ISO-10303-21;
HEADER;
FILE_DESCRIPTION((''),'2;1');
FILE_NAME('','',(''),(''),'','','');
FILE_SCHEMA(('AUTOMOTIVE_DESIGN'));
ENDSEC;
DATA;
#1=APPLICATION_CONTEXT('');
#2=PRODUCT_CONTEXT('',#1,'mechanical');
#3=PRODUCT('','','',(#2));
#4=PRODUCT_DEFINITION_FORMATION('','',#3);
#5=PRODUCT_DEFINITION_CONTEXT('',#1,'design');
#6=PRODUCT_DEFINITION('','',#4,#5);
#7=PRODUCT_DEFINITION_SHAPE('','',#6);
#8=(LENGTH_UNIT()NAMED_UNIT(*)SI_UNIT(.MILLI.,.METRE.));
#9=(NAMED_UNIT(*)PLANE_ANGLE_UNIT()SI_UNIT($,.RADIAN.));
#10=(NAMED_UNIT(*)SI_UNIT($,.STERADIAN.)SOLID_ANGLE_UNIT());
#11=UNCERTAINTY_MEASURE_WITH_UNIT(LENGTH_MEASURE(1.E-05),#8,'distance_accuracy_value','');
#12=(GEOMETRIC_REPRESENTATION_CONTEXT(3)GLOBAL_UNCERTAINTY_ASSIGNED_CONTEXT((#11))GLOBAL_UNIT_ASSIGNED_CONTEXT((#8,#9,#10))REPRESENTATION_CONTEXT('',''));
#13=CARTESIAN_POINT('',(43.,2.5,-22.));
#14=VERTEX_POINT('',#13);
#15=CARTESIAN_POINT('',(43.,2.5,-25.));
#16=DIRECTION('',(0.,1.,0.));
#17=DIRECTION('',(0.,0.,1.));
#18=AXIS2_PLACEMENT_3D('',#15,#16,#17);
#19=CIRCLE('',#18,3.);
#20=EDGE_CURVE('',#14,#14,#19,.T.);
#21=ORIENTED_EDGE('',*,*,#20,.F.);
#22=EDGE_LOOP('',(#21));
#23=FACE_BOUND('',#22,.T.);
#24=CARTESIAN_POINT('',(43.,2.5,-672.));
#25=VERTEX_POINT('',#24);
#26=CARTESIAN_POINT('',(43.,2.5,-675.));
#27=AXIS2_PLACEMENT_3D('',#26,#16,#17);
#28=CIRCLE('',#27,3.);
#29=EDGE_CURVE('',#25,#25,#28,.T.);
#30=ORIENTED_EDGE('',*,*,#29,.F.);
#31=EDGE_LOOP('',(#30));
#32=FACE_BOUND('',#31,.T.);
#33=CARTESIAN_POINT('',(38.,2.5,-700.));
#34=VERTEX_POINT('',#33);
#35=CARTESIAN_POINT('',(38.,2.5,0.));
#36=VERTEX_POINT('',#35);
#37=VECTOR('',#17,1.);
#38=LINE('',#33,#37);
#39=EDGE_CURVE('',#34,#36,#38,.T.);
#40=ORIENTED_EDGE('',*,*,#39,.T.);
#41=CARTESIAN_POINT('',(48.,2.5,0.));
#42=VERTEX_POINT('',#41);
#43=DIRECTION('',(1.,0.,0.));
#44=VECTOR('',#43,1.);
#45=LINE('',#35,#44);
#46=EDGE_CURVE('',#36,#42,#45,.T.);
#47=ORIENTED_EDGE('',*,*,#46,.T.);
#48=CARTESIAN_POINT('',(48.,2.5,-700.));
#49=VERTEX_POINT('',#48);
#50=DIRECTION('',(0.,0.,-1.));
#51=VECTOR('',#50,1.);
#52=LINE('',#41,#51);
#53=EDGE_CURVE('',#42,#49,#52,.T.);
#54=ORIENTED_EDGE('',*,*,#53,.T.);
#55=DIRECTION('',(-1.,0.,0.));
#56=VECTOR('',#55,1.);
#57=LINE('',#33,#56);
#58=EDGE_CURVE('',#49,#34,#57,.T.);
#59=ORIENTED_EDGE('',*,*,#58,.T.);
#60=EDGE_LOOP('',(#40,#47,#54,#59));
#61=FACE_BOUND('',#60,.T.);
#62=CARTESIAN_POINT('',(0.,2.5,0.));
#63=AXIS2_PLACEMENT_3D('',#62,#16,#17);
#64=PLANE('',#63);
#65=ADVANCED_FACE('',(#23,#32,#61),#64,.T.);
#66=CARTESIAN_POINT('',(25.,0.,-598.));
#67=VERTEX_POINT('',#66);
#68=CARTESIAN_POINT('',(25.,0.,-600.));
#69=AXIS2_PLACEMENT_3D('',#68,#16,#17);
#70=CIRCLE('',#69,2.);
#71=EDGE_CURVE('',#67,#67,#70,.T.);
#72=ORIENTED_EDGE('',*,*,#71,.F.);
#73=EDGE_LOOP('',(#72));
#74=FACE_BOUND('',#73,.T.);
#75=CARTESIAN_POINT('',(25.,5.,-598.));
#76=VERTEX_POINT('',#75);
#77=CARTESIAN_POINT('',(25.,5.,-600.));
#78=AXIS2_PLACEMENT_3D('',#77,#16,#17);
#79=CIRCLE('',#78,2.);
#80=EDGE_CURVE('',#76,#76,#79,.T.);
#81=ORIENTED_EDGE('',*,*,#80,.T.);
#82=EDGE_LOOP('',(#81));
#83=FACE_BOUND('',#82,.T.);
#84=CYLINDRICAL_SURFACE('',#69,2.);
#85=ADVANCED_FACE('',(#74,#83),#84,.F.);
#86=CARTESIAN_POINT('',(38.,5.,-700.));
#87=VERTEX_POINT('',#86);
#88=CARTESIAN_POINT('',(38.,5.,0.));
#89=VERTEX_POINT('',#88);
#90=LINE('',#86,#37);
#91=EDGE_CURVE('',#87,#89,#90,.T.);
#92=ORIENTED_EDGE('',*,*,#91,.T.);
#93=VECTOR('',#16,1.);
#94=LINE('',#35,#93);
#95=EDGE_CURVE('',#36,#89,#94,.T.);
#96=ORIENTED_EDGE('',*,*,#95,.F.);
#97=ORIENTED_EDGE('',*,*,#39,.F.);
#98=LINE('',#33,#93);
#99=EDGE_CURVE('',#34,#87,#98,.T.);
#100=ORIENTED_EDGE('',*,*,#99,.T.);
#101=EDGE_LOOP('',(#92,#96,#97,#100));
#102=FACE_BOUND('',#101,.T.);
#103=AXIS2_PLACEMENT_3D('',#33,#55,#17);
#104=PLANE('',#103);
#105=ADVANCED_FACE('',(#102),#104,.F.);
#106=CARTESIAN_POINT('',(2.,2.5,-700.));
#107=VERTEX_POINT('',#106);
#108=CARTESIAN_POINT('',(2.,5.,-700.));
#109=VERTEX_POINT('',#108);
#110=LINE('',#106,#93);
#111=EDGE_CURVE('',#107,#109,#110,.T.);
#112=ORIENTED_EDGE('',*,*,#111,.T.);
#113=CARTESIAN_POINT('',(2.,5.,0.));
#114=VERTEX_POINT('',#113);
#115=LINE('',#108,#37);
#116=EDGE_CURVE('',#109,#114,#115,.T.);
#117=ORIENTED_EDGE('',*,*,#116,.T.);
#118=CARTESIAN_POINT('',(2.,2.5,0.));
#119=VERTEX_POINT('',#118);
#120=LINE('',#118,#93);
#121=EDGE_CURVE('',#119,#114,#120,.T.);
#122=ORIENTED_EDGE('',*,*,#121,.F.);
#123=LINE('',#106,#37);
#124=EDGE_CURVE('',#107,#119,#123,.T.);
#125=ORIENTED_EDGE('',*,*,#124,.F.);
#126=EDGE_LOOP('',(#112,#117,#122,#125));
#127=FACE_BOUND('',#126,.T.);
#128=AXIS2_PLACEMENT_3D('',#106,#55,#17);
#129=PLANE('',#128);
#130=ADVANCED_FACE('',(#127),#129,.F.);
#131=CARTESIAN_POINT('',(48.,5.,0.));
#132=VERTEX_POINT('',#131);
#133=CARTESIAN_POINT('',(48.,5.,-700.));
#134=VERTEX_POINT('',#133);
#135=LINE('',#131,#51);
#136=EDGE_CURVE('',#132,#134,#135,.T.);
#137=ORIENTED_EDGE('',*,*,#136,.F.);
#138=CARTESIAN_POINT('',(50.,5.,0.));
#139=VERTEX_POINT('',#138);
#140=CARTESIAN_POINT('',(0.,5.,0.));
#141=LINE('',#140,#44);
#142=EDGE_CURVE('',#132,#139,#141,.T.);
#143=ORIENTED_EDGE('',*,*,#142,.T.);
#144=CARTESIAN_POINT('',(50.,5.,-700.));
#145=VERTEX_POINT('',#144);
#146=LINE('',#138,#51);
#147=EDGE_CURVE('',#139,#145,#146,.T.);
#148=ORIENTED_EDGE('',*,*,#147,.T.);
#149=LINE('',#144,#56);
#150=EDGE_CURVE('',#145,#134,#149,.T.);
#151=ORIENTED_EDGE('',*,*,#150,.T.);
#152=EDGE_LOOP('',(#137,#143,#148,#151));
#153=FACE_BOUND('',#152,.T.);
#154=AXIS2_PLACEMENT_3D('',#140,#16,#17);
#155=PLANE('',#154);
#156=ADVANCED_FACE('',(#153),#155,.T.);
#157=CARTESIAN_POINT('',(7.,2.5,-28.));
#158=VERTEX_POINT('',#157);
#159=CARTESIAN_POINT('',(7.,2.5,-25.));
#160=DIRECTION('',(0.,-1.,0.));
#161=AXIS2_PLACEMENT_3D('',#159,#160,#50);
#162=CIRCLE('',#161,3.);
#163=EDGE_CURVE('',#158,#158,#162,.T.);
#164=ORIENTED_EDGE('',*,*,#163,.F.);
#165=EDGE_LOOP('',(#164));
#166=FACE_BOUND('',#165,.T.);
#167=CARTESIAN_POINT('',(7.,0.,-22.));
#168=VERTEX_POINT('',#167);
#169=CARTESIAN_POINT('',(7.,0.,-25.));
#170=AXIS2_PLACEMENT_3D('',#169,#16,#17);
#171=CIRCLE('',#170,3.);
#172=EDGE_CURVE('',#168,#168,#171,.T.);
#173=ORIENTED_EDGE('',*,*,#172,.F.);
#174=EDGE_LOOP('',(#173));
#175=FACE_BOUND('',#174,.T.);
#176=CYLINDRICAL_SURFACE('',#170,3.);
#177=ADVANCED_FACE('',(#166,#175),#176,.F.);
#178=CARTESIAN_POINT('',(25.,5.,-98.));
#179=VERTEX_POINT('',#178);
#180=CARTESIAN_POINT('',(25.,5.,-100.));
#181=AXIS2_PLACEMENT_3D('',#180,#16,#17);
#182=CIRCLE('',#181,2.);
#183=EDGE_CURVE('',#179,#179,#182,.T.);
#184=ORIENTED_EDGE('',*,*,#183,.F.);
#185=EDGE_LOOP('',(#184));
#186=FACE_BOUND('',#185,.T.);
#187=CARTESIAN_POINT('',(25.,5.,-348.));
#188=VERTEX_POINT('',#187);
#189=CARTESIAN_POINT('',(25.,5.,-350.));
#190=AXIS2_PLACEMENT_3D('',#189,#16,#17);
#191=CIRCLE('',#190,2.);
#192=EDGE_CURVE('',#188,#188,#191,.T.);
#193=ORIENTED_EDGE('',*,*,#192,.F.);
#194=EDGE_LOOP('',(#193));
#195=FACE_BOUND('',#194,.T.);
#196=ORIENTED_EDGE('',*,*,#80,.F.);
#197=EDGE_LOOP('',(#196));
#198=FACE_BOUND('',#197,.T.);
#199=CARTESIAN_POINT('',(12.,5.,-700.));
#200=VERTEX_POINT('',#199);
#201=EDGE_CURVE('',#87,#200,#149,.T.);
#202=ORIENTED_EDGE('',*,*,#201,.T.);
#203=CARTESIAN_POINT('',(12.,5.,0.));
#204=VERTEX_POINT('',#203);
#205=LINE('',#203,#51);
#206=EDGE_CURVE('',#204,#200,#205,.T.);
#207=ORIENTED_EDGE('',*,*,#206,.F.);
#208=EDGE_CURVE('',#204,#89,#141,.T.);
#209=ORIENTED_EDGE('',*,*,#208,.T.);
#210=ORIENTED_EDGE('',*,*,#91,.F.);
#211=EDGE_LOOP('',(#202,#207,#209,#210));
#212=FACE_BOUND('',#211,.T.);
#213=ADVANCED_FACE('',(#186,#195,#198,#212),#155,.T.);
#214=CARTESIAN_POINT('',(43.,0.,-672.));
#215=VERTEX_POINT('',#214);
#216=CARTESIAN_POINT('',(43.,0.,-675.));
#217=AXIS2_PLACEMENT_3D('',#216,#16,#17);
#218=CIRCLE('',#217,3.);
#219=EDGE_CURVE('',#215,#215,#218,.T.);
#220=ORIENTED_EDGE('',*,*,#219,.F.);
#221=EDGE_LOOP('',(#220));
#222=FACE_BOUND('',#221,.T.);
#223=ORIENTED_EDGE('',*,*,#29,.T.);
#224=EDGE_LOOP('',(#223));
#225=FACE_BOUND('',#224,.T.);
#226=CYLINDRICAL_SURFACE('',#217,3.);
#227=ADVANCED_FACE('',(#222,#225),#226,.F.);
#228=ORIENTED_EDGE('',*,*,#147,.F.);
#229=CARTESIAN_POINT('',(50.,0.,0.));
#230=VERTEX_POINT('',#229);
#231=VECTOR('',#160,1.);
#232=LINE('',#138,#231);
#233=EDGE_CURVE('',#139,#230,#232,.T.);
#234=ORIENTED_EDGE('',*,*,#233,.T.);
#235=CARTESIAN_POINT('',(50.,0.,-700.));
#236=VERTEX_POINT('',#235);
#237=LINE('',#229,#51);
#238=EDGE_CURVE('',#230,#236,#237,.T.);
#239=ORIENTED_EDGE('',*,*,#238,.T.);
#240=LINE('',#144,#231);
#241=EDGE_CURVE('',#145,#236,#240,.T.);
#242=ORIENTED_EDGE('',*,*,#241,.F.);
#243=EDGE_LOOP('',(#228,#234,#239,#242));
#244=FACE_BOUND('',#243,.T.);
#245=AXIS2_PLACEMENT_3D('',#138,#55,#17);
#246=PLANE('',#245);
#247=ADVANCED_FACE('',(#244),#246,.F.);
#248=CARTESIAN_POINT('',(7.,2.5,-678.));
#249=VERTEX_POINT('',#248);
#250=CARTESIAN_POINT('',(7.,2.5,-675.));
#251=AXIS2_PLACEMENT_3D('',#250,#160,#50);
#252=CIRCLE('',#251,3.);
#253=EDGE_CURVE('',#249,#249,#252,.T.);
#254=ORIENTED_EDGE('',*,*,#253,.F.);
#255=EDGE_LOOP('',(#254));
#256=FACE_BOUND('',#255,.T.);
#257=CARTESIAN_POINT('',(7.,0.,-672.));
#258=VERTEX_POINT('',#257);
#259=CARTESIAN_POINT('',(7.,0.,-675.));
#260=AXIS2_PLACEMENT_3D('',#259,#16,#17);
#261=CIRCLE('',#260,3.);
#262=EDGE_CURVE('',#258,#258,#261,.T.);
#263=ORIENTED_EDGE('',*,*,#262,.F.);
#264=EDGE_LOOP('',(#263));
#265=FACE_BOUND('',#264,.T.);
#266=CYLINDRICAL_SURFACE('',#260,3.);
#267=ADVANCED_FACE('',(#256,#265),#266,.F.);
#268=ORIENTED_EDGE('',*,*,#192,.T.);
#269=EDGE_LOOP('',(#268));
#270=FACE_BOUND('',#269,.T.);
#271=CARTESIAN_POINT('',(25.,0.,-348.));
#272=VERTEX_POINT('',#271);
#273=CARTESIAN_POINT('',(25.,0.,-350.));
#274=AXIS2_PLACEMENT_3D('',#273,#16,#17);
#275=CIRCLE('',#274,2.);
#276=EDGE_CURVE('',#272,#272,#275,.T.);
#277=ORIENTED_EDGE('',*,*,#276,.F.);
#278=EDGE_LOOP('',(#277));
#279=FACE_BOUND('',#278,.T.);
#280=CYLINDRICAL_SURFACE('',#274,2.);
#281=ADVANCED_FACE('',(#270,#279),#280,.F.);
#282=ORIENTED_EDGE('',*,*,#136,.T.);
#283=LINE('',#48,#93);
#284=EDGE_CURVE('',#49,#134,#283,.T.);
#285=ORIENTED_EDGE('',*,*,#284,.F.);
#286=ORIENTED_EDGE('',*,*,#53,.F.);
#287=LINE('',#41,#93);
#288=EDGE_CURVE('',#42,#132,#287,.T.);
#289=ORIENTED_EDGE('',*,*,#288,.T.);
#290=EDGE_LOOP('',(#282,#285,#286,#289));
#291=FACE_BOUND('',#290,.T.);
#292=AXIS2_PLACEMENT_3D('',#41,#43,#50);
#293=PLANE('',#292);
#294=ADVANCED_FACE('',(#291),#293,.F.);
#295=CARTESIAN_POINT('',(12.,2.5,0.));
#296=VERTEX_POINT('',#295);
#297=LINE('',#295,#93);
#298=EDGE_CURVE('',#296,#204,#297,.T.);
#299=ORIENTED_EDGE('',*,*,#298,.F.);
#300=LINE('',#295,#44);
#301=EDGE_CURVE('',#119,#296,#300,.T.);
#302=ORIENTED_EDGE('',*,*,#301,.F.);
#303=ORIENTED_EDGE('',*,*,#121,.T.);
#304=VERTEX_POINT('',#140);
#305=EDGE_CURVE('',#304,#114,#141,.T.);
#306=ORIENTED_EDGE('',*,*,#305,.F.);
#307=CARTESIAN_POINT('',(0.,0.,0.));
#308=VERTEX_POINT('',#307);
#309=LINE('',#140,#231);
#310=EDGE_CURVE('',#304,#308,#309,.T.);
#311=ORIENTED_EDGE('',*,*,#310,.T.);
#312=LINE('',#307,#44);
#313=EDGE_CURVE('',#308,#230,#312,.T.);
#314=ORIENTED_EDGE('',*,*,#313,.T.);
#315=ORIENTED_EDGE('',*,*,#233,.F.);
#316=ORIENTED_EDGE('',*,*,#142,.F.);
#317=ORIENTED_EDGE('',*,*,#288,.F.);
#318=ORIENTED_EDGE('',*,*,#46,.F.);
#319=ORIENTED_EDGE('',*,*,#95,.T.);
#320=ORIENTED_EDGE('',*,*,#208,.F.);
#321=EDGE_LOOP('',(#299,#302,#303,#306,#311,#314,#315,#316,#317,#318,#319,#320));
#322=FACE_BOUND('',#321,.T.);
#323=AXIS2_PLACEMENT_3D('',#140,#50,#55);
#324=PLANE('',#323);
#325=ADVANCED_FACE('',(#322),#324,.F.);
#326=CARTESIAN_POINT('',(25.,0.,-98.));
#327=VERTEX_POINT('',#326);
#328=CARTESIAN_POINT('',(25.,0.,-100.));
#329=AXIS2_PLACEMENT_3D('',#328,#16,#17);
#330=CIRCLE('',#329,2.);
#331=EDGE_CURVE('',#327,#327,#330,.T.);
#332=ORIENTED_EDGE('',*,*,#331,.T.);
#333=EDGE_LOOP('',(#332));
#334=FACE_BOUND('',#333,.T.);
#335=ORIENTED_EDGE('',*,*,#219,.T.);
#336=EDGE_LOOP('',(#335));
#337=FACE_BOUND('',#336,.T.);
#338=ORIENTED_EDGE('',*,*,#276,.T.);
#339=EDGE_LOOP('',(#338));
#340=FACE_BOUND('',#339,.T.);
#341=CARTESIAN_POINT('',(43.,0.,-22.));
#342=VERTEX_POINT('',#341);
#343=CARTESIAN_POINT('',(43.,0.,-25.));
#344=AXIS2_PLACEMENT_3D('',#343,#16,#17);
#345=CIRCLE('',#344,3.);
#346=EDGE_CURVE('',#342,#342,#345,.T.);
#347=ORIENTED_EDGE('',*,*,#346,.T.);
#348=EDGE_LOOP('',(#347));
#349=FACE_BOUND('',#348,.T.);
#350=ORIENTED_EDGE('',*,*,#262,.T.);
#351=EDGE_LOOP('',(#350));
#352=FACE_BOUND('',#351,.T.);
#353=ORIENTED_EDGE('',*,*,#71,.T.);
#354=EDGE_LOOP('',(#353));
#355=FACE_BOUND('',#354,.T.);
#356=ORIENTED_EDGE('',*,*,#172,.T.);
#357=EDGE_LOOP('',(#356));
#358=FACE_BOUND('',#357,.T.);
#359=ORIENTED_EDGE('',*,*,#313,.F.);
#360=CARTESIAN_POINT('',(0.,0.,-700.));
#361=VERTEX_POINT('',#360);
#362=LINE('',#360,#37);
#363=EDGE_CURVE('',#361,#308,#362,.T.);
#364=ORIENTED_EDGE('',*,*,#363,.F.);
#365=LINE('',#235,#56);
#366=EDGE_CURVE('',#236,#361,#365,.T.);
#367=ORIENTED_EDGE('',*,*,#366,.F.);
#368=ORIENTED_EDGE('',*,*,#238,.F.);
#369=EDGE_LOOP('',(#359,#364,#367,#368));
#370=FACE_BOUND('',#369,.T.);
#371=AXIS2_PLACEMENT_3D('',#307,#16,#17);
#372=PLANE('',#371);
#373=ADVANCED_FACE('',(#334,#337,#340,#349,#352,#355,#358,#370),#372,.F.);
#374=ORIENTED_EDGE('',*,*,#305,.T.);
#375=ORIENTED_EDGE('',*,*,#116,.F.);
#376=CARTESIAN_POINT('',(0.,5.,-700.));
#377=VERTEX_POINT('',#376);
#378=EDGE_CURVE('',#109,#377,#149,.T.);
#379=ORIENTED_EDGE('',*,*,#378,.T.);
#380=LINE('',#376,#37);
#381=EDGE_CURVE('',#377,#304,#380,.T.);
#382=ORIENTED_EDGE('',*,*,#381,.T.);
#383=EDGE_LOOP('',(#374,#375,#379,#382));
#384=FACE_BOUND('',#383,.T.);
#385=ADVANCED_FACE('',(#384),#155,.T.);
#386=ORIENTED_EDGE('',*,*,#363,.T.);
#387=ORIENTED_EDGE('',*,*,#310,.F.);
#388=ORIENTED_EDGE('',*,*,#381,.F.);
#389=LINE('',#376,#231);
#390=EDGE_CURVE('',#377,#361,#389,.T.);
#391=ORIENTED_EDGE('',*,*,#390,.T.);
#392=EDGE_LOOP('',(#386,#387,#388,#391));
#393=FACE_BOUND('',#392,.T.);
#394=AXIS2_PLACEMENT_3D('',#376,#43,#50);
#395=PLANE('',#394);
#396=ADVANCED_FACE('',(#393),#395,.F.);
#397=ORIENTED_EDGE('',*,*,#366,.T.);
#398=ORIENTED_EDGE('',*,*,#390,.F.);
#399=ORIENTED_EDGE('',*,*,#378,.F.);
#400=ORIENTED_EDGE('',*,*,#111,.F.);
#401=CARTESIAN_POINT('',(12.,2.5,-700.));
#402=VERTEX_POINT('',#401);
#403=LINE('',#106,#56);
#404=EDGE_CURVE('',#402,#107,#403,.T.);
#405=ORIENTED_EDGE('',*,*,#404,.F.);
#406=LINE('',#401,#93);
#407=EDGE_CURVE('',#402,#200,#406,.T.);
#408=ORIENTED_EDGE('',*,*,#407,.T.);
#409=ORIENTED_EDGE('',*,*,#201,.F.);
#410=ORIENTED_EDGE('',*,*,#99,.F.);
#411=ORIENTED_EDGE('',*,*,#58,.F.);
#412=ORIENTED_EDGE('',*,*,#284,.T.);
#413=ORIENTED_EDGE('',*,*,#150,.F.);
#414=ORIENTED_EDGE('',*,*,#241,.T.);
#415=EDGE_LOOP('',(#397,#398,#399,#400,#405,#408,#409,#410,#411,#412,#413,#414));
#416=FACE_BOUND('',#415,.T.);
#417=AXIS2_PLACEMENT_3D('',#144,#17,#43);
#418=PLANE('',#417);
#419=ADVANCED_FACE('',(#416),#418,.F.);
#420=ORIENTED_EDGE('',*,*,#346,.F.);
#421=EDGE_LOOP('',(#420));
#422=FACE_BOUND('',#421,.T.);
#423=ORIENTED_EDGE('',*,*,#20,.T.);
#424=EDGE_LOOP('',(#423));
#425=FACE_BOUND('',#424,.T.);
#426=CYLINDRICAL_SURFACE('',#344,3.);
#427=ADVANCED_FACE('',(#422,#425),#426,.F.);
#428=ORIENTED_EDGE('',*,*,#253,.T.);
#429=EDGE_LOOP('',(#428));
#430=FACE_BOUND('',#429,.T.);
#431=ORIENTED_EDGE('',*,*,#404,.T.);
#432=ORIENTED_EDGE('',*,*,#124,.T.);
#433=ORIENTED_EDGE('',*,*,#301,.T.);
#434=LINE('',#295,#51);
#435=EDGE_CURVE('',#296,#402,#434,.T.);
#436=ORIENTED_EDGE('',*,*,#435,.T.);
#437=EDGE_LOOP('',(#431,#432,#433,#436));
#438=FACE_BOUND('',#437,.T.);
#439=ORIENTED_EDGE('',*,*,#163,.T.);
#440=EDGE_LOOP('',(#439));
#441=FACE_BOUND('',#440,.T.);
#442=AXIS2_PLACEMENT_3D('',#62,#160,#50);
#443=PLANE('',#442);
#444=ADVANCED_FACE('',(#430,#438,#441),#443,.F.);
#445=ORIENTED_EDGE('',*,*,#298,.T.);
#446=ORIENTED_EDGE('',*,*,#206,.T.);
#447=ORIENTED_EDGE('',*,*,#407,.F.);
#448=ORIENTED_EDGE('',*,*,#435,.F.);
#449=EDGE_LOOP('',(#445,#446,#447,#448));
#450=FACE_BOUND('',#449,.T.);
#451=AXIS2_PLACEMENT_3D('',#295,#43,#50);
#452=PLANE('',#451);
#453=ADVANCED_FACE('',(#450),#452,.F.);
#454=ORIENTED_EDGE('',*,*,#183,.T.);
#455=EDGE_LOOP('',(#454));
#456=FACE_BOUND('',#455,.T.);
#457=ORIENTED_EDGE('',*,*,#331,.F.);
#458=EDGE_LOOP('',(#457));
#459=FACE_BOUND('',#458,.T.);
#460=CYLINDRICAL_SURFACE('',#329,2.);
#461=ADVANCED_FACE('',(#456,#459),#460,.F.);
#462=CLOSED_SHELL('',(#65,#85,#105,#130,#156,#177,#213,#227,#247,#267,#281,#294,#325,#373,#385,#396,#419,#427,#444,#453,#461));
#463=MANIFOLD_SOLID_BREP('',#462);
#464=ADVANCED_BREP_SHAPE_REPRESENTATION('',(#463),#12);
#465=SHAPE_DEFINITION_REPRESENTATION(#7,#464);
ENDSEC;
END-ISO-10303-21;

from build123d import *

# Parameters (mm, degrees)
SKETCH1_W           = 50
SKETCH1_H           = 700
BOSS_EXTRUDE1_DEPTH = 5
SKETCH3_R           = 2
CUT_EXTRUDE1_DEPTH  = 6
SKETCH5_W           = 10
SKETCH5_H           = 700
CUT_EXTRUDE2_DEPTH  = 2.5
SKETCH6_R           = 3
CUT_EXTRUDE3_DEPTH  = 6


with BuildPart() as part:
    # Sketch1 → Boss-Extrude1 (new body)
    with BuildSketch(Plane(origin=(0, 0, 0), x_dir=(1, 0, 0), z_dir=(0, 1, 0))):
        with Locations((25, 350)):
            Rectangle(SKETCH1_W, SKETCH1_H)
    extrude(amount=BOSS_EXTRUDE1_DEPTH)

    # Sketch3 → Cut-Extrude1 (cut, through all)
    with BuildSketch(Plane(origin=(0, 5, 0), x_dir=(1, 0, 0), z_dir=(0, 1, 0))):
        with Locations((25, 600)):
            Circle(SKETCH3_R)
        with Locations((25, 350)):
            Circle(SKETCH3_R)
        with Locations((25, 100)):
            Circle(SKETCH3_R)
    extrude(amount=-CUT_EXTRUDE1_DEPTH, mode=Mode.SUBTRACT)

    # Sketch5 → Cut-Extrude2 (cut)
    with BuildSketch(Plane(origin=(0, 5, 0), x_dir=(1, 0, 0), z_dir=(0, 1, 0))):
        with Locations((7, 350)):
            Rectangle(SKETCH5_W, SKETCH5_H)
        with Locations((43, 350)):
            Rectangle(SKETCH5_W, SKETCH5_H)
    extrude(amount=-CUT_EXTRUDE2_DEPTH, mode=Mode.SUBTRACT)

    # Sketch6 → Cut-Extrude3 (cut, through all)
    with BuildSketch(Plane(origin=(0, 5, 0), x_dir=(1, 0, 0), z_dir=(0, 1, 0))):
        with Locations((43, 25)):
            Circle(SKETCH6_R)
        with Locations((7, 25)):
            Circle(SKETCH6_R)
        with Locations((43, 675)):
            Circle(SKETCH6_R)
        with Locations((7, 675)):
            Circle(SKETCH6_R)
    extrude(amount=-CUT_EXTRUDE3_DEPTH, mode=Mode.SUBTRACT)


solid = part.part
